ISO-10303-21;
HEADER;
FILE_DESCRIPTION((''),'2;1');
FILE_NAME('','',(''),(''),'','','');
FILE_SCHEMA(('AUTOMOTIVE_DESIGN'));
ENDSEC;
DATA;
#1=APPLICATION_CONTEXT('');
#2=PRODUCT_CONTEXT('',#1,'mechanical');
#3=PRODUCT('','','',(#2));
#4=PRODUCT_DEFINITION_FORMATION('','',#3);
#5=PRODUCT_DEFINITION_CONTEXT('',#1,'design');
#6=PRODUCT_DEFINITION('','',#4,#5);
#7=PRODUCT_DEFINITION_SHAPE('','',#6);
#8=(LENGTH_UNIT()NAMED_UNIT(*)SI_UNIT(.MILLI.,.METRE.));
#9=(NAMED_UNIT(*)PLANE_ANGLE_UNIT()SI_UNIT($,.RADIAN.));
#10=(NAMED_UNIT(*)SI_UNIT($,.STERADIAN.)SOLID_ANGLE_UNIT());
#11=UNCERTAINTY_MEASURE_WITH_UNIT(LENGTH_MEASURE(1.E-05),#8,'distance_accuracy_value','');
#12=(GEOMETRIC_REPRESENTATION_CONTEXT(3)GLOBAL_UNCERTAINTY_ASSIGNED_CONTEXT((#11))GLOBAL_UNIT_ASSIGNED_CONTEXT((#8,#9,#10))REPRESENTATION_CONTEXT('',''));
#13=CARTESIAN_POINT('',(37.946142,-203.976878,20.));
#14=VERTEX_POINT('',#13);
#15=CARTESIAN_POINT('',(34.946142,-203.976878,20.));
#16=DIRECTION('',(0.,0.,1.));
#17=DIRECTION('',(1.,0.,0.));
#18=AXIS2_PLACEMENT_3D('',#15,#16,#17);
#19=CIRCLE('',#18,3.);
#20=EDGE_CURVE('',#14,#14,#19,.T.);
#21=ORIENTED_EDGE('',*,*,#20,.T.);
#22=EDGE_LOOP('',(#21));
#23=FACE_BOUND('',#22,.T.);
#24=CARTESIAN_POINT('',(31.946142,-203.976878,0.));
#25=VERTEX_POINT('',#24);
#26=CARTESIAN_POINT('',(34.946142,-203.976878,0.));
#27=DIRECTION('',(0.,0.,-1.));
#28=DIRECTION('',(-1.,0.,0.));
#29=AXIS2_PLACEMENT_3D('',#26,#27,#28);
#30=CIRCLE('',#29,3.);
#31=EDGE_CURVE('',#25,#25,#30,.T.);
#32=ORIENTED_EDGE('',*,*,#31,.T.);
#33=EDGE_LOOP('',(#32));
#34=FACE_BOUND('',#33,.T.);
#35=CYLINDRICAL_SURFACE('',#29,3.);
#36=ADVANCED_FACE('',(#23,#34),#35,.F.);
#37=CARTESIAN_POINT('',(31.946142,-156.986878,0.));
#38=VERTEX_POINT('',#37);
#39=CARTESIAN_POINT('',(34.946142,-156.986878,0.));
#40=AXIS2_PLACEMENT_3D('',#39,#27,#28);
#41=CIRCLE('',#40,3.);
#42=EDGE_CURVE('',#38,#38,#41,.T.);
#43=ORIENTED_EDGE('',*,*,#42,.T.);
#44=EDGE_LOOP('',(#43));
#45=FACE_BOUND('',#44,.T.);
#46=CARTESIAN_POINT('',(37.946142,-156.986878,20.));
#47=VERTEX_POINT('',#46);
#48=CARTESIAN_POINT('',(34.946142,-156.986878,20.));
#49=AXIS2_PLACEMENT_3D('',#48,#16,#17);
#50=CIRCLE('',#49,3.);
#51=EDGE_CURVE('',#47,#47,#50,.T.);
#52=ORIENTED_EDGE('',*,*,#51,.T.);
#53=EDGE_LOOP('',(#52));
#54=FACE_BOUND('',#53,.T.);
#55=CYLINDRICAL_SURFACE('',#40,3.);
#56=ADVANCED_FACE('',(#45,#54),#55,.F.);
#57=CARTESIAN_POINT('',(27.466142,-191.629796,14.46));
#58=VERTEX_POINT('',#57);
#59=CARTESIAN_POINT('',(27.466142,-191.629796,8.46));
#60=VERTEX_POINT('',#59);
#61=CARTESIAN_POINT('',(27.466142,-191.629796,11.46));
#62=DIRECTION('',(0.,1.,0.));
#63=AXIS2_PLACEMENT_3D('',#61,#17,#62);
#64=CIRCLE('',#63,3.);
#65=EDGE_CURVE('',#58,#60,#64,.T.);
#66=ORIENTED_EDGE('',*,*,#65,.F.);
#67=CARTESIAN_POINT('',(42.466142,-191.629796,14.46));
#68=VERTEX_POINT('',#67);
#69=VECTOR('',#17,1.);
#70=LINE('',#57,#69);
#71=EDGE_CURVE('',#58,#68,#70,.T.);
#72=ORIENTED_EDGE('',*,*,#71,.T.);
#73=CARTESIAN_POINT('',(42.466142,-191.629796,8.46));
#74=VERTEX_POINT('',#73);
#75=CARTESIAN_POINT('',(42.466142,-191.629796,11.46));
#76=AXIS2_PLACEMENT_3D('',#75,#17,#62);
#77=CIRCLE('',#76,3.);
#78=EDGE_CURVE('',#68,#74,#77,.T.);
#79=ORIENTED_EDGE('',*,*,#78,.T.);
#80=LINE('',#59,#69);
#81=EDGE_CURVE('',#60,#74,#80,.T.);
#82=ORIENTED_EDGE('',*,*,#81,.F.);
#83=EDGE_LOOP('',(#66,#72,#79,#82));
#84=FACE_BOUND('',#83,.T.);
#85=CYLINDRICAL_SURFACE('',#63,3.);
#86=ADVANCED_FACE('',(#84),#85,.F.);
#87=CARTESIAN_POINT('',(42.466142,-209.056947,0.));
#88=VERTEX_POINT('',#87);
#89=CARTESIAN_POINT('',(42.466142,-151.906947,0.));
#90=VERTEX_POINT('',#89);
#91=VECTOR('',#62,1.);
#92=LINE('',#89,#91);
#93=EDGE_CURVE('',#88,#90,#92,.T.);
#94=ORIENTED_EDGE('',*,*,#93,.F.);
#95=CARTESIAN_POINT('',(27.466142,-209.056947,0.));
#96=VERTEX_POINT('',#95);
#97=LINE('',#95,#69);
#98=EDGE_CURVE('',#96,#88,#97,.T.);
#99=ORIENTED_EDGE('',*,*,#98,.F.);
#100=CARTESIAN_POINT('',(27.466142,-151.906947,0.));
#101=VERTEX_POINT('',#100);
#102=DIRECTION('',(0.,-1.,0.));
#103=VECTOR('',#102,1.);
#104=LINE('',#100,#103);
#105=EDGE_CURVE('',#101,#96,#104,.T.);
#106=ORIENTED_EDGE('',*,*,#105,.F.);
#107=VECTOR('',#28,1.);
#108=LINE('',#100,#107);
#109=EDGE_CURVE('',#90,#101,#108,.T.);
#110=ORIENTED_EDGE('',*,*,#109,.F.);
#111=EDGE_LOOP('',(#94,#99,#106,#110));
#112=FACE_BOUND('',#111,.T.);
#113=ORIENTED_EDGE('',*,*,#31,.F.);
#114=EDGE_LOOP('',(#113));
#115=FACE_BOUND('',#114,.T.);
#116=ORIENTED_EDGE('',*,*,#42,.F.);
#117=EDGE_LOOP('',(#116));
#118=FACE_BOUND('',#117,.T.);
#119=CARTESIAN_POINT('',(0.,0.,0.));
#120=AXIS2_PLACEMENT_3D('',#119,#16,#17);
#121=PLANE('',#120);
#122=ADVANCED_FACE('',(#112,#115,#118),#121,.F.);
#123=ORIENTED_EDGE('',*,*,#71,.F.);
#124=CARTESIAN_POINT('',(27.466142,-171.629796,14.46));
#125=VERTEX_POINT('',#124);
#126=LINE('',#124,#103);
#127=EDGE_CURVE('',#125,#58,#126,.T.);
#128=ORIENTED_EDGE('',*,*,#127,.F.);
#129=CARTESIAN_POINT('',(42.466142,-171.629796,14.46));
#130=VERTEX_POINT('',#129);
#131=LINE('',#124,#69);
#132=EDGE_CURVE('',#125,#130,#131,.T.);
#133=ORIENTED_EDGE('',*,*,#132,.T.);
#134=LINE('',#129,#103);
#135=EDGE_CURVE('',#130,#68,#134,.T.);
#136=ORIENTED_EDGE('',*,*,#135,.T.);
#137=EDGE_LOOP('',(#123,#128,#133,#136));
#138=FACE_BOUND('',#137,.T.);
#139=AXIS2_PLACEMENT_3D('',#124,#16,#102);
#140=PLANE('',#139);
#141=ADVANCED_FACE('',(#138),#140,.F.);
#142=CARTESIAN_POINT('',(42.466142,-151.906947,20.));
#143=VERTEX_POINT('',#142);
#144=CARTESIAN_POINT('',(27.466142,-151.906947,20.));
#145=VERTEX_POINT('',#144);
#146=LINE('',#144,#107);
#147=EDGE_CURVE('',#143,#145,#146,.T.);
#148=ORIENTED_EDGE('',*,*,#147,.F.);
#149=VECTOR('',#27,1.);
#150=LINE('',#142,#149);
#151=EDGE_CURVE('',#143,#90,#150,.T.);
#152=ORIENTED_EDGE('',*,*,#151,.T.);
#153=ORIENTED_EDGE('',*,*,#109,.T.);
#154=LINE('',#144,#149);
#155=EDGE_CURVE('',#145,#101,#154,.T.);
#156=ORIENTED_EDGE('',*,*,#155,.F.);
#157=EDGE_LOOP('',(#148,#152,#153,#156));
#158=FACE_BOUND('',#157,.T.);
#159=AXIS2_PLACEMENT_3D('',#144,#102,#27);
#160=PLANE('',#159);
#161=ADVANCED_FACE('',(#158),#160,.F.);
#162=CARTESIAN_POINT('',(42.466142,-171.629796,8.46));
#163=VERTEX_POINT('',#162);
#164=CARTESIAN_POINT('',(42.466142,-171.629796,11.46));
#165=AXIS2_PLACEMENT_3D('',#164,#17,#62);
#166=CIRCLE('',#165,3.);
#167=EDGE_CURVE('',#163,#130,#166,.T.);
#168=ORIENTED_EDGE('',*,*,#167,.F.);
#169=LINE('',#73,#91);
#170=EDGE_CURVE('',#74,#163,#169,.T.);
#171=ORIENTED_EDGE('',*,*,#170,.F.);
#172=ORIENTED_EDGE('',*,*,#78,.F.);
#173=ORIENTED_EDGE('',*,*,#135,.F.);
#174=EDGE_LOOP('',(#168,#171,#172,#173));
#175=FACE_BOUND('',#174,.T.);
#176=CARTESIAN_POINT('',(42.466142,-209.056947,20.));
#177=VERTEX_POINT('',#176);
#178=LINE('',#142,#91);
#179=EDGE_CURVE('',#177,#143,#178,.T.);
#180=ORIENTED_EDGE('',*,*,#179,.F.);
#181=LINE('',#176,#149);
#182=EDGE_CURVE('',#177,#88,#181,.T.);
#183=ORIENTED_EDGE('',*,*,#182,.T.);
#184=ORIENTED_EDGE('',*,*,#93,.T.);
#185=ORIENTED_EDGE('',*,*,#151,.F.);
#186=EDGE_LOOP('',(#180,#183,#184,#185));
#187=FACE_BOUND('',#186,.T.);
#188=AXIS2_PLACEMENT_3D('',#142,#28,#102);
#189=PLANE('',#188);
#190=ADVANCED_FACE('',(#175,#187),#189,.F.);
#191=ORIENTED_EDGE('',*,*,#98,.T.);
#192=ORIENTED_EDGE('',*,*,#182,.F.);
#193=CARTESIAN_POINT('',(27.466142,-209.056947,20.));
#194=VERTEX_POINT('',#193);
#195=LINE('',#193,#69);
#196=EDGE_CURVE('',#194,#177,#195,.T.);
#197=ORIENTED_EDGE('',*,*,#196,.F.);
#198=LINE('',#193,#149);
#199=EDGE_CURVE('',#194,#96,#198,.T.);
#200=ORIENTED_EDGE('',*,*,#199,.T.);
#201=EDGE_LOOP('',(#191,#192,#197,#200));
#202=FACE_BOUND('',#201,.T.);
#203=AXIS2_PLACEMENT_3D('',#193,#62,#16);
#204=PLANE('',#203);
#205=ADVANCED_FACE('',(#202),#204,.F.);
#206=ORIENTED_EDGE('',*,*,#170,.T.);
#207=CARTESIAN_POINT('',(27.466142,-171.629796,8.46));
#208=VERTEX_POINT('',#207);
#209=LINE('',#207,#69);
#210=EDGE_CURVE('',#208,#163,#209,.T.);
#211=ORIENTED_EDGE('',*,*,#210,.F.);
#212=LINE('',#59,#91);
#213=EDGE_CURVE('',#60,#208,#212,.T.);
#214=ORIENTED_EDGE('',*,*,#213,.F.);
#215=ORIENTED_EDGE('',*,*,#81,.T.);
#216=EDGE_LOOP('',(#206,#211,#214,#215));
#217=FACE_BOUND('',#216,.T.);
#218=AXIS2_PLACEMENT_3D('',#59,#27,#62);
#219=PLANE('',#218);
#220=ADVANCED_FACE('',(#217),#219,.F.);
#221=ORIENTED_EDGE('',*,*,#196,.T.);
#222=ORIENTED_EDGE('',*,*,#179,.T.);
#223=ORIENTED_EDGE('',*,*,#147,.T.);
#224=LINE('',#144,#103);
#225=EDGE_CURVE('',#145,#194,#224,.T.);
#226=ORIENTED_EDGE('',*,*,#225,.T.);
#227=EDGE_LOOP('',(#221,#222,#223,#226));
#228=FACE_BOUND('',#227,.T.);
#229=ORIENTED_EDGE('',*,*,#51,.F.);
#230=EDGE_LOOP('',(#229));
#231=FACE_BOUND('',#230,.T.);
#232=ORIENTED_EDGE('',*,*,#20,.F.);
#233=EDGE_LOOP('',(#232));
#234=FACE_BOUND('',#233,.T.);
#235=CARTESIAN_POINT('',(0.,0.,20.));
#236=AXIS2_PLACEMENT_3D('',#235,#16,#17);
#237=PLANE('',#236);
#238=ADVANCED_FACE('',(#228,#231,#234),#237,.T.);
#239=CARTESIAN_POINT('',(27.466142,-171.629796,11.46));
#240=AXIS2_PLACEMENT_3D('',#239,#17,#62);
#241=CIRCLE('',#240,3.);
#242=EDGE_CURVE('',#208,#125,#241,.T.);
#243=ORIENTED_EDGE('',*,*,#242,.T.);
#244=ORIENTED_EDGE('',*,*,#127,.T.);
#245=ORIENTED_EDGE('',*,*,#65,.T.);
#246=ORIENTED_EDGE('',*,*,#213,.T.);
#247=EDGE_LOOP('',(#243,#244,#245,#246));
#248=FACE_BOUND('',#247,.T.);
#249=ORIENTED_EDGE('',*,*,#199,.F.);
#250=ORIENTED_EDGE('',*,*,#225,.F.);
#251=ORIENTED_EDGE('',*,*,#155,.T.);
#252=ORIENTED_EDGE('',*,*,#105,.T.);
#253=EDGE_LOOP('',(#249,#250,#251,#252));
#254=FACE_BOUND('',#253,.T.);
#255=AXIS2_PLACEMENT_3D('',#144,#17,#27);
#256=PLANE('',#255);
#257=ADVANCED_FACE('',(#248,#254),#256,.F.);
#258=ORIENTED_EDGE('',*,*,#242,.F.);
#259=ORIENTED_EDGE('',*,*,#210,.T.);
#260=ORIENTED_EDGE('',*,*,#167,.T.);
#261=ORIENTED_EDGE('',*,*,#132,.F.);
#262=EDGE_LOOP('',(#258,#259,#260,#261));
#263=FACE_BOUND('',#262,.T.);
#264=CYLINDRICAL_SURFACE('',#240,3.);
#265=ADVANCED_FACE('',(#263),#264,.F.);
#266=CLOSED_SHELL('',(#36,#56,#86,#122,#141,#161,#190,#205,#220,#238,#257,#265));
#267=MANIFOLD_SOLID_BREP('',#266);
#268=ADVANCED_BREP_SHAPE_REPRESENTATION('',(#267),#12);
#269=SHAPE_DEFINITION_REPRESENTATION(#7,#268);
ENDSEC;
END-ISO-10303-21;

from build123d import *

# Parameters (mm, degrees)
SKETCH1_W                    = 15
SKETCH1_H                    = 57.15
BOSS_EXTRUDE1_DEPTH          = 20
F_6_0_6_DIAMETER_HOLE1_D     = 6
F_6_0_6_DIAMETER_HOLE1_DEPTH = 24
F_6_0_6_DIAMETER_HOLE1_TIP   = 1.802581857
CUT_EXTRUDE1_DEPTH           = 211.546449087


with BuildPart() as part:
    # Sketch1 → Boss-Extrude1 (new body)
    with BuildSketch(Plane.XY):
        with Locations((34.966141976, -180.481947321)):
            Rectangle(SKETCH1_W, SKETCH1_H)
    extrude(amount=BOSS_EXTRUDE1_DEPTH)

    # Ø6.0 (6) Diameter Hole1
    with Locations(Plane(origin=(0, 0, 0), x_dir=(-1, 0, 0), z_dir=(0, 0, -1))):
        with Locations((-34.946141976, -156.986877707), (-34.946141976, -203.976877703)):
            Hole(F_6_0_6_DIAMETER_HOLE1_D / 2, depth=F_6_0_6_DIAMETER_HOLE1_DEPTH)
            with Locations((0, 0, -(F_6_0_6_DIAMETER_HOLE1_DEPTH + F_6_0_6_DIAMETER_HOLE1_TIP / 2))):  # 118° drill point
                Cone(0, F_6_0_6_DIAMETER_HOLE1_D / 2, F_6_0_6_DIAMETER_HOLE1_TIP, mode=Mode.SUBTRACT)

    # Sketch5 → Cut-Extrude1 (cut, through all)
    with BuildSketch(Plane(origin=(42.466141976, 0, 0), x_dir=(0, 0, -1), z_dir=(1, 0, 0))):
        with BuildLine():
            Line((-14.46, -171.629796136), (-14.46, -191.629796136))
            ThreePointArc((-14.46, -191.629796136), (-11.46, -194.629796136), (-8.46, -191.629796136))
            Line((-8.46, -191.629796136), (-8.46, -171.629796136))
            ThreePointArc((-8.46, -171.629796136), (-11.46, -168.629796136), (-14.46, -171.629796136))
        make_face()
    extrude(amount=-CUT_EXTRUDE1_DEPTH, mode=Mode.SUBTRACT)


solid = part.part
